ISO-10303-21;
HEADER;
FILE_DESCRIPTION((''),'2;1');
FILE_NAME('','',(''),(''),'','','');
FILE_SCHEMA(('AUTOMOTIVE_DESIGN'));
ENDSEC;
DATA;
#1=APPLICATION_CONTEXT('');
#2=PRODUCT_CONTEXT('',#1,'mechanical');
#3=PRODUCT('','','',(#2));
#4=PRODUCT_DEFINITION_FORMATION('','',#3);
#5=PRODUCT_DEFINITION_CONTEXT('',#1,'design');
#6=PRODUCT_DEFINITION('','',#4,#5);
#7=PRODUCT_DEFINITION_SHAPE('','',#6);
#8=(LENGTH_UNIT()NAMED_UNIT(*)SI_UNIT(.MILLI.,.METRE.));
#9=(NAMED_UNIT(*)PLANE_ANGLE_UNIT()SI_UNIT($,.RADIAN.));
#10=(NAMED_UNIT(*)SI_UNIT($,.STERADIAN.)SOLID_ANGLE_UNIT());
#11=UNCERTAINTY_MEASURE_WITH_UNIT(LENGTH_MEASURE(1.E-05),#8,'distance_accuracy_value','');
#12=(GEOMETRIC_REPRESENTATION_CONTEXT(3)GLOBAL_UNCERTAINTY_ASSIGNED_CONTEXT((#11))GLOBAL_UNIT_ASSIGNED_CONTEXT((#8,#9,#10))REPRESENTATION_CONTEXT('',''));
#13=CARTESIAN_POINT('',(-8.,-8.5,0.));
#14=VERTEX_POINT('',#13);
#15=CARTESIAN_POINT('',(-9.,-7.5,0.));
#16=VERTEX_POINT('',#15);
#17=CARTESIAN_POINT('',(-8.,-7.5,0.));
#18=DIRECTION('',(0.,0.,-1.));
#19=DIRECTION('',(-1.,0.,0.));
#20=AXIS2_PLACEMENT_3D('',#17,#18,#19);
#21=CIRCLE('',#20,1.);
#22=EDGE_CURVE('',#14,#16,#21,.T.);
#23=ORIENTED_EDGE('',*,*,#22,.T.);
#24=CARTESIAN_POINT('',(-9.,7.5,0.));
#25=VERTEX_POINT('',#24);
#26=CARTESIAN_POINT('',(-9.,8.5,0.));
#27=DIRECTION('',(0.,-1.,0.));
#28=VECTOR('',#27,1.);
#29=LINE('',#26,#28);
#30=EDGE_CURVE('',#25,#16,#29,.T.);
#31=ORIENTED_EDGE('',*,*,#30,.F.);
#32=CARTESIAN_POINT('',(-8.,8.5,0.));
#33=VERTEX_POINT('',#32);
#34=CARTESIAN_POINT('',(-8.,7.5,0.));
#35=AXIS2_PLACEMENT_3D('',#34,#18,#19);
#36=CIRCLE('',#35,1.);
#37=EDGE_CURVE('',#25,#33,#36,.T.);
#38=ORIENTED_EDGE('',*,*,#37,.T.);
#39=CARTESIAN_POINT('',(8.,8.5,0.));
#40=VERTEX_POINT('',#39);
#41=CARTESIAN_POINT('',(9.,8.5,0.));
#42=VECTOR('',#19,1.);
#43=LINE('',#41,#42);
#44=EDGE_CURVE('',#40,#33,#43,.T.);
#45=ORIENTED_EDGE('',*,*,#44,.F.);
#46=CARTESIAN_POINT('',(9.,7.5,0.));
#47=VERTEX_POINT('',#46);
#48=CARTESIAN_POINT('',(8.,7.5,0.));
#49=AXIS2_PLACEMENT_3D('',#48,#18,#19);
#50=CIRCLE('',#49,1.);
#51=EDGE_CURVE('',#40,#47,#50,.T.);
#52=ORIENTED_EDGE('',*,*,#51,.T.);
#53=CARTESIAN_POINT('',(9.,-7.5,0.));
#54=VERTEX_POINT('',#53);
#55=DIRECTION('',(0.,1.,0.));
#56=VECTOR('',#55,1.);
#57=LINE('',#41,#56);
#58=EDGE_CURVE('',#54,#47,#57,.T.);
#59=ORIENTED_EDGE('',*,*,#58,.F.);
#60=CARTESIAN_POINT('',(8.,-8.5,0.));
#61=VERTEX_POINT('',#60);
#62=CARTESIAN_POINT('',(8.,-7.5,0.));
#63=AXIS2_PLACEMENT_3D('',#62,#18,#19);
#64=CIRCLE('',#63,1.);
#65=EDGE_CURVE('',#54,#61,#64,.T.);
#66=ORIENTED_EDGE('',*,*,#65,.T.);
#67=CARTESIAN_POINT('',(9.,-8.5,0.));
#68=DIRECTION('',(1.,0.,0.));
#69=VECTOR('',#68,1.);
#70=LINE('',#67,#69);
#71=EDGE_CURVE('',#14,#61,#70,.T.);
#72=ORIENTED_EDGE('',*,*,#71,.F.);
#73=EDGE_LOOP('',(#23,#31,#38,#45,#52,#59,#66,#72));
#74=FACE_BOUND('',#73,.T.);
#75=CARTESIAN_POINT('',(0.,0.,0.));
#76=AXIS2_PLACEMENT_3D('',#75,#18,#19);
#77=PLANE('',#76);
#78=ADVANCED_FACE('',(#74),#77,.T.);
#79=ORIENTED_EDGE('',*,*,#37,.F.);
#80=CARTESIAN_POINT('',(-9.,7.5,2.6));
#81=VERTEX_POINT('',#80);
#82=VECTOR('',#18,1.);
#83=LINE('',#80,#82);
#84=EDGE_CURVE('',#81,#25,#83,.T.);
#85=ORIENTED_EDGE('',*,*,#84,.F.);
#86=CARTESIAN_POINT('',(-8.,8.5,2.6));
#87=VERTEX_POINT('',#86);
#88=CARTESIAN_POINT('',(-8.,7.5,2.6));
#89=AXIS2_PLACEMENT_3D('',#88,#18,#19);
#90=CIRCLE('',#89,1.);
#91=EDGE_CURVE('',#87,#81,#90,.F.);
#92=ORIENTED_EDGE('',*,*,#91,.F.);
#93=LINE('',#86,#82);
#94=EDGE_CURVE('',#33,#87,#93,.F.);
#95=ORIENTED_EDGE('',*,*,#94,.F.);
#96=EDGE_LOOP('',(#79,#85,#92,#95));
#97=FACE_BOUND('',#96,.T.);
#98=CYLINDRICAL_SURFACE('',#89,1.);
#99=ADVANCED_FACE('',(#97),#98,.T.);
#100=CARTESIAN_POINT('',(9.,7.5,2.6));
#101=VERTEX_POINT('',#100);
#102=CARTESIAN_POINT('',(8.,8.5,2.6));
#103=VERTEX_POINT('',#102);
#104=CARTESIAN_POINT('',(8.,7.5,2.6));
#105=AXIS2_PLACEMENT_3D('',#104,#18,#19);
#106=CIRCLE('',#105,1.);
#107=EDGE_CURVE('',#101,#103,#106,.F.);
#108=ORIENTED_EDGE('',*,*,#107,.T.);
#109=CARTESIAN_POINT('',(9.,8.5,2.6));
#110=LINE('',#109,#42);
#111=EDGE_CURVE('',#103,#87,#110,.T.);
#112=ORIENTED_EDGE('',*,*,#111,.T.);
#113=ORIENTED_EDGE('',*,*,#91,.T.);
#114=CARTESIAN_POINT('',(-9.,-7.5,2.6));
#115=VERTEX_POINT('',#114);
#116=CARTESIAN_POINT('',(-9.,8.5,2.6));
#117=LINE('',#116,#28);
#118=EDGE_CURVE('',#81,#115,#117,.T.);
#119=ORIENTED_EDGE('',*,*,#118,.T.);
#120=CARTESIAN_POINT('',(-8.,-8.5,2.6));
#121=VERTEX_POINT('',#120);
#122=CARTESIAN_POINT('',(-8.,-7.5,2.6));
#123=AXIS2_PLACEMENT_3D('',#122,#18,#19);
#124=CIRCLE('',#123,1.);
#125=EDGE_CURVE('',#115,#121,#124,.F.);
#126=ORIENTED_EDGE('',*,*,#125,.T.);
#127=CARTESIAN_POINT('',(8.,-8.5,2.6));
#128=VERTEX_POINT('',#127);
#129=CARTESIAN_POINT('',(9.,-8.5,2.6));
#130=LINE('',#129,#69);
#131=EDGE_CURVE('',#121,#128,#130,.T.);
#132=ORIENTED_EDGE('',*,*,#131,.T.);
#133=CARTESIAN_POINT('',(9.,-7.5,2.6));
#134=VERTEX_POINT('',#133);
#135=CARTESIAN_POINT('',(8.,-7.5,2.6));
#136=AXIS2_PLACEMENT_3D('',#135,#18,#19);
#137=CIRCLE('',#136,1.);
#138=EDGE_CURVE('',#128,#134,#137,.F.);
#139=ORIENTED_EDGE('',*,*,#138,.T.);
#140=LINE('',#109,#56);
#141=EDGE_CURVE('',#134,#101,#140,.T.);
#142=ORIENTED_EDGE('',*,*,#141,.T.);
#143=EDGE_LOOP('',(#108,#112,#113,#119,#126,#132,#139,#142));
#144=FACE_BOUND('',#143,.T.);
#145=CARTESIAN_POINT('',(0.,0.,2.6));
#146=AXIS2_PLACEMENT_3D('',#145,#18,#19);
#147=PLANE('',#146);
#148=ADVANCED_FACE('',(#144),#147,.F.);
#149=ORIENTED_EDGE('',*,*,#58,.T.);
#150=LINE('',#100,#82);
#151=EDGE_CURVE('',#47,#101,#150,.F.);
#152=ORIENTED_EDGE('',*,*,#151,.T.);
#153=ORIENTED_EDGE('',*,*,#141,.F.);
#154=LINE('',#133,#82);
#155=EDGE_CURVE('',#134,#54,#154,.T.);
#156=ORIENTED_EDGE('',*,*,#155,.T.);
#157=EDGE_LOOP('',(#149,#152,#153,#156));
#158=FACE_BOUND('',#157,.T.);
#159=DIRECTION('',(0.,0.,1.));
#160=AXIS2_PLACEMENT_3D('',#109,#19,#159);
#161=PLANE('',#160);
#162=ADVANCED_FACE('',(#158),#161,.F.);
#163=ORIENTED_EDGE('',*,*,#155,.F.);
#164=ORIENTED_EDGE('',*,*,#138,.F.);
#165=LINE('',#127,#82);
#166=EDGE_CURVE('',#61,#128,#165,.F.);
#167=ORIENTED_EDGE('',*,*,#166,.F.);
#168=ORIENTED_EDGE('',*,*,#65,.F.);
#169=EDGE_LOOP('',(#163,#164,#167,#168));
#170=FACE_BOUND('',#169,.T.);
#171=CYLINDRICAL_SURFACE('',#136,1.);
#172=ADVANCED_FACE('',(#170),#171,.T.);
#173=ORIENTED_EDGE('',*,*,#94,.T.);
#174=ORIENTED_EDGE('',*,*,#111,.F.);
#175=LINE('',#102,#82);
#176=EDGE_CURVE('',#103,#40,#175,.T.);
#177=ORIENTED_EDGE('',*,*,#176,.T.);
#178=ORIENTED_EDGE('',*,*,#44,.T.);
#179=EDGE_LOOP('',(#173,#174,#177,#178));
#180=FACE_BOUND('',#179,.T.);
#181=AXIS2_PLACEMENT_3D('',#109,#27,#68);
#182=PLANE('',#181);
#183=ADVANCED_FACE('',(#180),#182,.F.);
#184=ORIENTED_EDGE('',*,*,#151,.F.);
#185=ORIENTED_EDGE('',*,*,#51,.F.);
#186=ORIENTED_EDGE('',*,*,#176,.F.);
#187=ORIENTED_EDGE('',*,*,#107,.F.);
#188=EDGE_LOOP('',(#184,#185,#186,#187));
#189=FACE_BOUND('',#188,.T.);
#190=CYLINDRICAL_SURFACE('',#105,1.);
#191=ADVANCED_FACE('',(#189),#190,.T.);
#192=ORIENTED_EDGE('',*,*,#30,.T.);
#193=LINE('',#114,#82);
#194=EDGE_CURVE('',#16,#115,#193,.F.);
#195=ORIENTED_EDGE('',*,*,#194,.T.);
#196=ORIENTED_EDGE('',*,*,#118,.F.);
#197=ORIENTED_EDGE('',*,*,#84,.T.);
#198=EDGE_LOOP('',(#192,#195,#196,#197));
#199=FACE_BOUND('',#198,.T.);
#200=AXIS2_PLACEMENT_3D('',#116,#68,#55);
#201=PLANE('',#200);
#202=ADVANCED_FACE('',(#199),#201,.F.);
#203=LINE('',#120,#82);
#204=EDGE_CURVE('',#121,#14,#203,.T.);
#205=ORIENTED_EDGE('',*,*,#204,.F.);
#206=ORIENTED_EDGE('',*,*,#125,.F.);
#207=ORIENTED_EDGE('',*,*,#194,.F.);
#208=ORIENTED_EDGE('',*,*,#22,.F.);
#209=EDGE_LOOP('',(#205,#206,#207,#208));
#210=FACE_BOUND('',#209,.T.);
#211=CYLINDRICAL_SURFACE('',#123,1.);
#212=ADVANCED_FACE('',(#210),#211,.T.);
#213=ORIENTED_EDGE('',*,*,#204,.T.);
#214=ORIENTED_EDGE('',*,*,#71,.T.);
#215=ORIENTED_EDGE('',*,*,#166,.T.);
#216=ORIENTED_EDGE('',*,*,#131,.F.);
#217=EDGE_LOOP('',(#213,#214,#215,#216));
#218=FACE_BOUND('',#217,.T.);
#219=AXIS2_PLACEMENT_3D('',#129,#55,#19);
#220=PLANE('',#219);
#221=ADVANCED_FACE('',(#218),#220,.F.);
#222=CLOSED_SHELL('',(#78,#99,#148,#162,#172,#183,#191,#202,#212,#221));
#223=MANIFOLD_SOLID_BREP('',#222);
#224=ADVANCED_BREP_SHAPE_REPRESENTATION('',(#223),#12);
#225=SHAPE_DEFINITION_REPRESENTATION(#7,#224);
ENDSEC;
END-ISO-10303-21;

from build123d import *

# Parameters (mm, degrees)
SKETCH_1_W      = 18
SKETCH_1_H      = 17
EXTRUDE_1_DEPTH = 2.6
FILLET_2_R      = 1


with BuildPart() as part:
    # ｽｹｯﾁ1 → ﾎﾞｽ - 押し出し1 (new body)
    with BuildSketch(Plane.XY):
        Rectangle(SKETCH_1_W, SKETCH_1_H)
    extrude(amount=EXTRUDE_1_DEPTH)

    # ﾌｨﾚｯﾄ2
    fillet_2_edges = [part.edges().sort_by_distance(p)[0] for p in [
        (-9, 8.5, 1.3),
        (9, 8.5, 1.3),
        (9, -8.5, 1.3),
        (-9, -8.5, 1.3),
    ]]
    fillet(fillet_2_edges, radius=FILLET_2_R)


solid = part.part
